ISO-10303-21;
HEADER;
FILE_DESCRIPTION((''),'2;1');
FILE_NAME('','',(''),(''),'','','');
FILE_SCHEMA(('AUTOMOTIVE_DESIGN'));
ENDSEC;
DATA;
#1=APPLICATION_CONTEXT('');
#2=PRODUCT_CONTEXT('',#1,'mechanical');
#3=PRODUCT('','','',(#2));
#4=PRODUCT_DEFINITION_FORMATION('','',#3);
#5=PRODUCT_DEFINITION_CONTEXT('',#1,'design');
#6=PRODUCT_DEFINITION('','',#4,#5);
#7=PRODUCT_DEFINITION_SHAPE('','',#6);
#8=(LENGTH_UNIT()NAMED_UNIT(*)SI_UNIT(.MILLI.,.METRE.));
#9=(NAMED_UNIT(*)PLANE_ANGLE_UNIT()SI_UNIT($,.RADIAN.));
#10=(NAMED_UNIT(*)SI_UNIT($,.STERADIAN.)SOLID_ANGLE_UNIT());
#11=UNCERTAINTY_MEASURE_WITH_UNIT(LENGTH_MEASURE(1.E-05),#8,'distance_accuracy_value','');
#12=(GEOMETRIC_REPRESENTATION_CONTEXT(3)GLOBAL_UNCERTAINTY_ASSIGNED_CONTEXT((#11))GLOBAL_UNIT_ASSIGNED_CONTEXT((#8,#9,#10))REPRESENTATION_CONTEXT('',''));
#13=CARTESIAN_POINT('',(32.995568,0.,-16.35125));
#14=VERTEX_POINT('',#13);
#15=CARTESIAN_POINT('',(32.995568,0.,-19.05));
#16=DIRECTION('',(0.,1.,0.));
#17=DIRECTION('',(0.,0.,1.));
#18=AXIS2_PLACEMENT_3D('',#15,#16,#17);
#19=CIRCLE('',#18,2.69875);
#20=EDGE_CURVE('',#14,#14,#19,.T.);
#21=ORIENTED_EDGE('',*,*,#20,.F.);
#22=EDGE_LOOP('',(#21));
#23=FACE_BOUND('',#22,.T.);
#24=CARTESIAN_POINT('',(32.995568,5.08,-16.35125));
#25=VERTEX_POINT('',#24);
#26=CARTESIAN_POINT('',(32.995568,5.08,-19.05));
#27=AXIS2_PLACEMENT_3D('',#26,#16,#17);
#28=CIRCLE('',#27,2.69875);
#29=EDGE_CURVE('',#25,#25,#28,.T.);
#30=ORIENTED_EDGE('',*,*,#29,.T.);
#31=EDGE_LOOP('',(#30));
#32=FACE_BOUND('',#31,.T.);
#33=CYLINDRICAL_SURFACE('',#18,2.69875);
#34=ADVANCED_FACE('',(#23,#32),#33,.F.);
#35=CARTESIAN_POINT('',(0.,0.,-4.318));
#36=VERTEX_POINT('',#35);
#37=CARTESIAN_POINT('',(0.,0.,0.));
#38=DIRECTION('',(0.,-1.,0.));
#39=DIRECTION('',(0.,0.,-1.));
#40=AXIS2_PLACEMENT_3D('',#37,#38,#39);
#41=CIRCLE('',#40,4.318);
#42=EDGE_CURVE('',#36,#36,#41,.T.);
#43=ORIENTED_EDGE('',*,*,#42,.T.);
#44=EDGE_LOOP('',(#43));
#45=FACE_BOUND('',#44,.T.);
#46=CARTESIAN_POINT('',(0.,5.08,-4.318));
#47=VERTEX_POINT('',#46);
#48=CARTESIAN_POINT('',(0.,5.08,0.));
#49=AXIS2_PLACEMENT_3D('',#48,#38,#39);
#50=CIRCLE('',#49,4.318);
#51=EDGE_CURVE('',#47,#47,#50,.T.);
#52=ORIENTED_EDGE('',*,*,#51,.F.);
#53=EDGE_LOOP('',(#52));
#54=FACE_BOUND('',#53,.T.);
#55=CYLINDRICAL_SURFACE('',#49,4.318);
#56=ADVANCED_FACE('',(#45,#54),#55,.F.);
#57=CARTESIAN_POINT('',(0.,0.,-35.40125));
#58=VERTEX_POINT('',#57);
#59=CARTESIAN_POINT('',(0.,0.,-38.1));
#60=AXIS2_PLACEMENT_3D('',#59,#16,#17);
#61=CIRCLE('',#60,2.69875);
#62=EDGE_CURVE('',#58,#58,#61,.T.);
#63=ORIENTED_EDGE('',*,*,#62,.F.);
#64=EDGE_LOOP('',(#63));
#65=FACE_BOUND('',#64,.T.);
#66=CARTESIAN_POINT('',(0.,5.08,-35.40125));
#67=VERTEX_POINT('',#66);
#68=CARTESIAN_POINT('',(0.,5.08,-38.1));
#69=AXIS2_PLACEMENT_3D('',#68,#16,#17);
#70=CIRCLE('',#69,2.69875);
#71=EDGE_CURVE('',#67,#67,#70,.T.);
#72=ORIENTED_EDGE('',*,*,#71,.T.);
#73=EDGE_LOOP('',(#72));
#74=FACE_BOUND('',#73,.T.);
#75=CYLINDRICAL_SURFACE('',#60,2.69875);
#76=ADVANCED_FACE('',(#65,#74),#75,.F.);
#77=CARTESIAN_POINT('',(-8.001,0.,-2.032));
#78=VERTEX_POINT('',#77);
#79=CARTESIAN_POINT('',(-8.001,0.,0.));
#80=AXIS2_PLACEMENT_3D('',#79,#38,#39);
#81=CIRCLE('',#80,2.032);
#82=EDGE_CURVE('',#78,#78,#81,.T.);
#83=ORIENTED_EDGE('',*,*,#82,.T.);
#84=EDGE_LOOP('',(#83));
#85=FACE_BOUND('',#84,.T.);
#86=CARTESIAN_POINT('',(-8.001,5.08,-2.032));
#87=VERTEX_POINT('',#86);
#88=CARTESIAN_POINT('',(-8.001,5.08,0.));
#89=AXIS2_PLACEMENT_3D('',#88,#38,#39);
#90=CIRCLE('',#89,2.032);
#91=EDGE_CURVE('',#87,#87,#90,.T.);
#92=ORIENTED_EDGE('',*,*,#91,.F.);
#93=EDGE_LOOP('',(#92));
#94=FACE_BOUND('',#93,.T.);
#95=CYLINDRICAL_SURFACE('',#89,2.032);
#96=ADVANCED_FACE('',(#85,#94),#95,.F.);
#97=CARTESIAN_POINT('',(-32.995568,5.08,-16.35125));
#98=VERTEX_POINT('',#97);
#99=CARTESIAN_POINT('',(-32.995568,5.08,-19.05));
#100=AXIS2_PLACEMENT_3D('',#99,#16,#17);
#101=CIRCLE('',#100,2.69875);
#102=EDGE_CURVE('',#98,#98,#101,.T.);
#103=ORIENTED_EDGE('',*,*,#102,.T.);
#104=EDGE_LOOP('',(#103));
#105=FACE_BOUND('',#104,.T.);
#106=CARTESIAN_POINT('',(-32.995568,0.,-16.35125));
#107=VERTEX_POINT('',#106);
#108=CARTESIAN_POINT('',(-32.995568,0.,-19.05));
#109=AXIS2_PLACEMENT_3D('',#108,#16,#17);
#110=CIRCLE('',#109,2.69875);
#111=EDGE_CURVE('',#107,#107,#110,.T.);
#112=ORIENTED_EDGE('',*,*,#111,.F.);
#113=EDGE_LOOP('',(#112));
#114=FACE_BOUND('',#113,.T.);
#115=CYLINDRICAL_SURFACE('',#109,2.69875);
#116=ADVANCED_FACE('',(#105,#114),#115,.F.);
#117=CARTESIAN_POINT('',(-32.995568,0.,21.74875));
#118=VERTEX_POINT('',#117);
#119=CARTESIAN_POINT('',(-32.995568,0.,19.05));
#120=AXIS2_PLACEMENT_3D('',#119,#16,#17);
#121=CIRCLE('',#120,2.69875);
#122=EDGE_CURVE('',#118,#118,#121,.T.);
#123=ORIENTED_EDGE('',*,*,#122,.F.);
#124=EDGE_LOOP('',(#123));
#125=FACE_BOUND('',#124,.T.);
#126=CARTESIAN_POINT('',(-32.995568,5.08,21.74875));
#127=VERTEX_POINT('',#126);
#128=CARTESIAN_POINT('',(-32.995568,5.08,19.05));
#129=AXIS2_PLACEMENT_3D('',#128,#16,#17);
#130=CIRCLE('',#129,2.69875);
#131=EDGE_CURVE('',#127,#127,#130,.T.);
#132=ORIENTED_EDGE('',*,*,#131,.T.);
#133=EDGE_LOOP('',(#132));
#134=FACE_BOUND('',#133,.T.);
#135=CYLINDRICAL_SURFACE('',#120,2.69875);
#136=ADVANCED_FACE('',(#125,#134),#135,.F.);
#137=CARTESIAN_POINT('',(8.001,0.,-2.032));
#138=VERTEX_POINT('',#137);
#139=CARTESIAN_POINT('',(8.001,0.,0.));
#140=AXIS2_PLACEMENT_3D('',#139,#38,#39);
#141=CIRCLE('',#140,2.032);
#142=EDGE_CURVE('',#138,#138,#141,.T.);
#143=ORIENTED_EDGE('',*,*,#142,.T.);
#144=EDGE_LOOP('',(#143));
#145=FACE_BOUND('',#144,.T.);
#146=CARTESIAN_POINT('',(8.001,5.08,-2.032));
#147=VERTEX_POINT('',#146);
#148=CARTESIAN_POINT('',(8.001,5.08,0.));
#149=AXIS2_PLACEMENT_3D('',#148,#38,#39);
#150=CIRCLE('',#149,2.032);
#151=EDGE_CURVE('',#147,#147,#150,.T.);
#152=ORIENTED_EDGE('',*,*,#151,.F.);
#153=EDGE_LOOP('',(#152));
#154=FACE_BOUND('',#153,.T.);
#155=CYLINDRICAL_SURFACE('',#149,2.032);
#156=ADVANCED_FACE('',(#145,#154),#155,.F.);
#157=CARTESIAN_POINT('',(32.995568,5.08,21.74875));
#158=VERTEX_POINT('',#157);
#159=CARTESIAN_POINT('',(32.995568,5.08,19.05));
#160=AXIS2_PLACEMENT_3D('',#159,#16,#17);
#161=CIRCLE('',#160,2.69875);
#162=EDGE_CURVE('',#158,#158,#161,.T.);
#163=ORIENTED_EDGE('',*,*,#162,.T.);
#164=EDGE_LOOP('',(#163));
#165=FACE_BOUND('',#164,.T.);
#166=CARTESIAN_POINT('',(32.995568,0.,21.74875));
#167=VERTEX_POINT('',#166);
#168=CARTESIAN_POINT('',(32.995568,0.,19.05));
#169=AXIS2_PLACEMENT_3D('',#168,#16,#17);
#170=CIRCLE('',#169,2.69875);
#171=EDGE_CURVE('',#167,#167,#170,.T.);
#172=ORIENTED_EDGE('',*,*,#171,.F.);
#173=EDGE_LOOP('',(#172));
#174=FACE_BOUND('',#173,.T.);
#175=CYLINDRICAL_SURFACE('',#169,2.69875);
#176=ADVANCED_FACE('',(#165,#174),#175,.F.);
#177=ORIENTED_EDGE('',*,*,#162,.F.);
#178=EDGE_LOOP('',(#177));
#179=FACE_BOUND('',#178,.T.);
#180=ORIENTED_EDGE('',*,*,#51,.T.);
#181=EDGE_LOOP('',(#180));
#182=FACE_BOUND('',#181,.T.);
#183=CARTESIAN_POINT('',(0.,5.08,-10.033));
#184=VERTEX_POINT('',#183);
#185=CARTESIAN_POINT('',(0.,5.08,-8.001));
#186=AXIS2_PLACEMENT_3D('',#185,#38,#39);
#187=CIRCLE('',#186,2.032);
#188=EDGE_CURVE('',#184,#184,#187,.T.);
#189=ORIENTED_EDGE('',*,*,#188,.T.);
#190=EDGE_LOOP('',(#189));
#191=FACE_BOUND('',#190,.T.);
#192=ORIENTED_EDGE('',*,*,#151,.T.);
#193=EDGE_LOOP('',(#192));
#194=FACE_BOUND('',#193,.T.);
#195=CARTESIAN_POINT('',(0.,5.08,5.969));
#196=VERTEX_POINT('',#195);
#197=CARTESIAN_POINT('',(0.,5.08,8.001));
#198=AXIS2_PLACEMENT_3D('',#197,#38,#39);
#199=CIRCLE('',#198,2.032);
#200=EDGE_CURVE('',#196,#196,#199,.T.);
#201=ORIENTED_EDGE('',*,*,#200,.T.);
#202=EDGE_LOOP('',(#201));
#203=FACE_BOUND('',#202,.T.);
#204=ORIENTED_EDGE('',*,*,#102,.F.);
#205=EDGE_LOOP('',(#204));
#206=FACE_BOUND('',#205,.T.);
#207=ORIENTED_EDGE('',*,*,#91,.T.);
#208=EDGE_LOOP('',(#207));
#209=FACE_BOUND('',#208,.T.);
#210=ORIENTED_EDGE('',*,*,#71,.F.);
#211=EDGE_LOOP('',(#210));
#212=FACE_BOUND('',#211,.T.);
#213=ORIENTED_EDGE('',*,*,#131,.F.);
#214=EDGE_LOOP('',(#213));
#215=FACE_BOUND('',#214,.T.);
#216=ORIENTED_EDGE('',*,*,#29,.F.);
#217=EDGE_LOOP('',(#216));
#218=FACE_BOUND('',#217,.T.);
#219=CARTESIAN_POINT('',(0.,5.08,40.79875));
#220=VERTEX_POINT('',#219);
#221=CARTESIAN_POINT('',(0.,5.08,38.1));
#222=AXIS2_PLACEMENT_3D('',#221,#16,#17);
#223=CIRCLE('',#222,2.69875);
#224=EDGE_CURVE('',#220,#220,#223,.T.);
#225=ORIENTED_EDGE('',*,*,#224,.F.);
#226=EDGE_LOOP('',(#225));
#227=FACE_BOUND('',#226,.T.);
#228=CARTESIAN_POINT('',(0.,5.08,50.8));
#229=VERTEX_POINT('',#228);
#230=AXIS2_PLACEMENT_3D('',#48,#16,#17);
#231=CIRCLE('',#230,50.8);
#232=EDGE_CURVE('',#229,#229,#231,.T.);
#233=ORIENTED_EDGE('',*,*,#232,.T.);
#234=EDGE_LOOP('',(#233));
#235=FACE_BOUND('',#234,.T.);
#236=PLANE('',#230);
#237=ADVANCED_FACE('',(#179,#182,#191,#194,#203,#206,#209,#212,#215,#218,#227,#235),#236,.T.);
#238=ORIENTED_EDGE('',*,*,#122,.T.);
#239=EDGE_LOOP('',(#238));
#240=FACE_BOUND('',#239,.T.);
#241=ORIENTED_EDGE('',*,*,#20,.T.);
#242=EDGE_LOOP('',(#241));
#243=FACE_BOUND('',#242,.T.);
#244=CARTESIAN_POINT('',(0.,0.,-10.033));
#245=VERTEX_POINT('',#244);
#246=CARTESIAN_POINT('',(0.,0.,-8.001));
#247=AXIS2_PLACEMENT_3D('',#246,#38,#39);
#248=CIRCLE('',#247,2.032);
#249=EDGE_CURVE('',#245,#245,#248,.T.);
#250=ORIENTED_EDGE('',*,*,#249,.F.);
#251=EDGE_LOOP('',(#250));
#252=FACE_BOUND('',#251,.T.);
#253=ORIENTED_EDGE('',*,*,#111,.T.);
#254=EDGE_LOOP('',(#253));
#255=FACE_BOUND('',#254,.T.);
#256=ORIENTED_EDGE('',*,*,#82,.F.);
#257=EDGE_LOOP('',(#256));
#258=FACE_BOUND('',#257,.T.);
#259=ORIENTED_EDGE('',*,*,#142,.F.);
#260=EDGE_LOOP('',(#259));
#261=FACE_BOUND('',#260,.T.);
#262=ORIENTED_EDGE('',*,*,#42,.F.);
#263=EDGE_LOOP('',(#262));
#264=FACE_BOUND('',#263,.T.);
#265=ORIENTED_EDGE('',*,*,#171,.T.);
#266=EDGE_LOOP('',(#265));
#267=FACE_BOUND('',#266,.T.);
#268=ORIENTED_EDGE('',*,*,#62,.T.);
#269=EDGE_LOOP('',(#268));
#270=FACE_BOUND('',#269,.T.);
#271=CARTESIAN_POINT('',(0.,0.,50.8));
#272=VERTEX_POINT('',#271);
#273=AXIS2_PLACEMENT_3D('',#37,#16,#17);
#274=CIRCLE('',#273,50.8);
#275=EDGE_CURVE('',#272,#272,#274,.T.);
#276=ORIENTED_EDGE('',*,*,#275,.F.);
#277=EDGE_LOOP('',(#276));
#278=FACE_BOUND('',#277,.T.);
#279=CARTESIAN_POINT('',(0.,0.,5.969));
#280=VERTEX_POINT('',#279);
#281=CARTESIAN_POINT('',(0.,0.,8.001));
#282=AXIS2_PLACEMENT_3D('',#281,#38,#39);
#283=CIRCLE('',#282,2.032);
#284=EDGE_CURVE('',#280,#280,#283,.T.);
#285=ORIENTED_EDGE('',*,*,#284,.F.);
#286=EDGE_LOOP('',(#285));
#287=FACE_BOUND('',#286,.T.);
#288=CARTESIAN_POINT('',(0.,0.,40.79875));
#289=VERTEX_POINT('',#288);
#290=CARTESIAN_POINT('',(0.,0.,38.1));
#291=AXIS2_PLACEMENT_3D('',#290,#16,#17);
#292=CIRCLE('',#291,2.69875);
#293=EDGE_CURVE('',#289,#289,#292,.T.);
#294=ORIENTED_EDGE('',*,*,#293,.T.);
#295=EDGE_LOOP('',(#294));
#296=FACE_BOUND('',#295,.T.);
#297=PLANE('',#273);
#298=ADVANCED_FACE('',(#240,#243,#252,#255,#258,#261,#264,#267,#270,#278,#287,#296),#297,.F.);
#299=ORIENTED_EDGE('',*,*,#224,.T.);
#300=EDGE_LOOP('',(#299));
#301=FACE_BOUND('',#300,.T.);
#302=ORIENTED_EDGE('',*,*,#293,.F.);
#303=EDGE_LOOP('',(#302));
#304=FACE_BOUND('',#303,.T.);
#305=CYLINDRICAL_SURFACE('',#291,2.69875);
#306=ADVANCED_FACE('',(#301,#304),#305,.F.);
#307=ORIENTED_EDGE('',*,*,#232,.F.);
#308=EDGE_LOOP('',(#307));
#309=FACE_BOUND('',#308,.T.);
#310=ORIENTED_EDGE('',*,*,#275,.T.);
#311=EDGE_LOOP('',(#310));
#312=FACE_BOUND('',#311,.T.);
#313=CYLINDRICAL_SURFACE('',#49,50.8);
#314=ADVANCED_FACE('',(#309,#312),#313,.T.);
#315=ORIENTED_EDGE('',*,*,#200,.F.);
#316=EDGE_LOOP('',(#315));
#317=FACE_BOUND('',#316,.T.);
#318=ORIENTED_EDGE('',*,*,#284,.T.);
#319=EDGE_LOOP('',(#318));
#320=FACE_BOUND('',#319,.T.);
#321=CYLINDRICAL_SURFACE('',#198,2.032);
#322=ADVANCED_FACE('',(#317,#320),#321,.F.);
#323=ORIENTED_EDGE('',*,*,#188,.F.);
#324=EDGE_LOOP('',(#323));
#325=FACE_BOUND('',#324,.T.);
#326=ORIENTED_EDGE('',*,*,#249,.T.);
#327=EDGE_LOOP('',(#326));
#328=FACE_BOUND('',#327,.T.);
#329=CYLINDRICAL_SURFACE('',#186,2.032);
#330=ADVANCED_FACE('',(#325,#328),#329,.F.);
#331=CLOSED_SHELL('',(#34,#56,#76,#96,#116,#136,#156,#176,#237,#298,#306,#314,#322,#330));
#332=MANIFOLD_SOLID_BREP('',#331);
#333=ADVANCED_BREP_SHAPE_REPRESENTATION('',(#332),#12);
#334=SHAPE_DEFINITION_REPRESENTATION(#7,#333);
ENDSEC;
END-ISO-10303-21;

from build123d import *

# Parameters (mm, degrees)
SKETCH1_R           = 50.8
BOSS_EXTRUDE1_DEPTH = 5.08
SKETCH2_R           = 2.69875
CUT_EXTRUDE1_DEPTH  = 5.08
SKETCH3_R           = 4.318
SKETCH3_R_2         = 2.032
CUT_EXTRUDE2_DEPTH  = 5.08


with BuildPart() as part:
    # Sketch1 → Boss-Extrude1 (new body)
    with BuildSketch(Plane(origin=(0, 0, 0), x_dir=(1, 0, 0), z_dir=(0, 1, 0))):
        with Locations(Location((0, 0, 0), (0, 0, 270))):
            Circle(SKETCH1_R)
    extrude(amount=BOSS_EXTRUDE1_DEPTH)

    # Sketch2 → Cut-Extrude1 (cut)
    with BuildSketch(Plane(origin=(0, 5.08, 0), x_dir=(1, 0, 0), z_dir=(0, 1, 0))):
        with Locations(Location((0, -38.1, 0), (0, 0, 270))):
            Circle(SKETCH2_R)
        with Locations(Location((-32.995567884, -19.05, 0), (0, 0, 270))):
            Circle(SKETCH2_R)
        with Locations(Location((-32.995567884, 19.05, 0), (0, 0, 270))):
            Circle(SKETCH2_R)
        with Locations(Location((0, 38.1, 0), (0, 0, 270))):
            Circle(SKETCH2_R)
        with Locations(Location((32.995567884, 19.05, 0), (0, 0, 270))):
            Circle(SKETCH2_R)
        with Locations(Location((32.995567884, -19.05, 0), (0, 0, 270))):
            Circle(SKETCH2_R)
    extrude(amount=-CUT_EXTRUDE1_DEPTH, mode=Mode.SUBTRACT)

    # Sketch3 → Cut-Extrude2 (cut)
    with BuildSketch(Plane.XZ):
        with Locations(Location((0, 0, 0), (0, 0, 270))):
            Circle(SKETCH3_R)
        with Locations(Location((0, -8.001, 0), (0, 0, 270))):
            Circle(SKETCH3_R_2)
        with Locations(Location((-8.001, 0, 0), (0, 0, 270))):
            Circle(SKETCH3_R_2)
        with Locations(Location((0, 8.001, 0), (0, 0, 270))):
            Circle(SKETCH3_R_2)
        with Locations(Location((8.001, 0, 0), (0, 0, 270))):
            Circle(SKETCH3_R_2)
    extrude(amount=-CUT_EXTRUDE2_DEPTH, mode=Mode.SUBTRACT)


solid = part.part
